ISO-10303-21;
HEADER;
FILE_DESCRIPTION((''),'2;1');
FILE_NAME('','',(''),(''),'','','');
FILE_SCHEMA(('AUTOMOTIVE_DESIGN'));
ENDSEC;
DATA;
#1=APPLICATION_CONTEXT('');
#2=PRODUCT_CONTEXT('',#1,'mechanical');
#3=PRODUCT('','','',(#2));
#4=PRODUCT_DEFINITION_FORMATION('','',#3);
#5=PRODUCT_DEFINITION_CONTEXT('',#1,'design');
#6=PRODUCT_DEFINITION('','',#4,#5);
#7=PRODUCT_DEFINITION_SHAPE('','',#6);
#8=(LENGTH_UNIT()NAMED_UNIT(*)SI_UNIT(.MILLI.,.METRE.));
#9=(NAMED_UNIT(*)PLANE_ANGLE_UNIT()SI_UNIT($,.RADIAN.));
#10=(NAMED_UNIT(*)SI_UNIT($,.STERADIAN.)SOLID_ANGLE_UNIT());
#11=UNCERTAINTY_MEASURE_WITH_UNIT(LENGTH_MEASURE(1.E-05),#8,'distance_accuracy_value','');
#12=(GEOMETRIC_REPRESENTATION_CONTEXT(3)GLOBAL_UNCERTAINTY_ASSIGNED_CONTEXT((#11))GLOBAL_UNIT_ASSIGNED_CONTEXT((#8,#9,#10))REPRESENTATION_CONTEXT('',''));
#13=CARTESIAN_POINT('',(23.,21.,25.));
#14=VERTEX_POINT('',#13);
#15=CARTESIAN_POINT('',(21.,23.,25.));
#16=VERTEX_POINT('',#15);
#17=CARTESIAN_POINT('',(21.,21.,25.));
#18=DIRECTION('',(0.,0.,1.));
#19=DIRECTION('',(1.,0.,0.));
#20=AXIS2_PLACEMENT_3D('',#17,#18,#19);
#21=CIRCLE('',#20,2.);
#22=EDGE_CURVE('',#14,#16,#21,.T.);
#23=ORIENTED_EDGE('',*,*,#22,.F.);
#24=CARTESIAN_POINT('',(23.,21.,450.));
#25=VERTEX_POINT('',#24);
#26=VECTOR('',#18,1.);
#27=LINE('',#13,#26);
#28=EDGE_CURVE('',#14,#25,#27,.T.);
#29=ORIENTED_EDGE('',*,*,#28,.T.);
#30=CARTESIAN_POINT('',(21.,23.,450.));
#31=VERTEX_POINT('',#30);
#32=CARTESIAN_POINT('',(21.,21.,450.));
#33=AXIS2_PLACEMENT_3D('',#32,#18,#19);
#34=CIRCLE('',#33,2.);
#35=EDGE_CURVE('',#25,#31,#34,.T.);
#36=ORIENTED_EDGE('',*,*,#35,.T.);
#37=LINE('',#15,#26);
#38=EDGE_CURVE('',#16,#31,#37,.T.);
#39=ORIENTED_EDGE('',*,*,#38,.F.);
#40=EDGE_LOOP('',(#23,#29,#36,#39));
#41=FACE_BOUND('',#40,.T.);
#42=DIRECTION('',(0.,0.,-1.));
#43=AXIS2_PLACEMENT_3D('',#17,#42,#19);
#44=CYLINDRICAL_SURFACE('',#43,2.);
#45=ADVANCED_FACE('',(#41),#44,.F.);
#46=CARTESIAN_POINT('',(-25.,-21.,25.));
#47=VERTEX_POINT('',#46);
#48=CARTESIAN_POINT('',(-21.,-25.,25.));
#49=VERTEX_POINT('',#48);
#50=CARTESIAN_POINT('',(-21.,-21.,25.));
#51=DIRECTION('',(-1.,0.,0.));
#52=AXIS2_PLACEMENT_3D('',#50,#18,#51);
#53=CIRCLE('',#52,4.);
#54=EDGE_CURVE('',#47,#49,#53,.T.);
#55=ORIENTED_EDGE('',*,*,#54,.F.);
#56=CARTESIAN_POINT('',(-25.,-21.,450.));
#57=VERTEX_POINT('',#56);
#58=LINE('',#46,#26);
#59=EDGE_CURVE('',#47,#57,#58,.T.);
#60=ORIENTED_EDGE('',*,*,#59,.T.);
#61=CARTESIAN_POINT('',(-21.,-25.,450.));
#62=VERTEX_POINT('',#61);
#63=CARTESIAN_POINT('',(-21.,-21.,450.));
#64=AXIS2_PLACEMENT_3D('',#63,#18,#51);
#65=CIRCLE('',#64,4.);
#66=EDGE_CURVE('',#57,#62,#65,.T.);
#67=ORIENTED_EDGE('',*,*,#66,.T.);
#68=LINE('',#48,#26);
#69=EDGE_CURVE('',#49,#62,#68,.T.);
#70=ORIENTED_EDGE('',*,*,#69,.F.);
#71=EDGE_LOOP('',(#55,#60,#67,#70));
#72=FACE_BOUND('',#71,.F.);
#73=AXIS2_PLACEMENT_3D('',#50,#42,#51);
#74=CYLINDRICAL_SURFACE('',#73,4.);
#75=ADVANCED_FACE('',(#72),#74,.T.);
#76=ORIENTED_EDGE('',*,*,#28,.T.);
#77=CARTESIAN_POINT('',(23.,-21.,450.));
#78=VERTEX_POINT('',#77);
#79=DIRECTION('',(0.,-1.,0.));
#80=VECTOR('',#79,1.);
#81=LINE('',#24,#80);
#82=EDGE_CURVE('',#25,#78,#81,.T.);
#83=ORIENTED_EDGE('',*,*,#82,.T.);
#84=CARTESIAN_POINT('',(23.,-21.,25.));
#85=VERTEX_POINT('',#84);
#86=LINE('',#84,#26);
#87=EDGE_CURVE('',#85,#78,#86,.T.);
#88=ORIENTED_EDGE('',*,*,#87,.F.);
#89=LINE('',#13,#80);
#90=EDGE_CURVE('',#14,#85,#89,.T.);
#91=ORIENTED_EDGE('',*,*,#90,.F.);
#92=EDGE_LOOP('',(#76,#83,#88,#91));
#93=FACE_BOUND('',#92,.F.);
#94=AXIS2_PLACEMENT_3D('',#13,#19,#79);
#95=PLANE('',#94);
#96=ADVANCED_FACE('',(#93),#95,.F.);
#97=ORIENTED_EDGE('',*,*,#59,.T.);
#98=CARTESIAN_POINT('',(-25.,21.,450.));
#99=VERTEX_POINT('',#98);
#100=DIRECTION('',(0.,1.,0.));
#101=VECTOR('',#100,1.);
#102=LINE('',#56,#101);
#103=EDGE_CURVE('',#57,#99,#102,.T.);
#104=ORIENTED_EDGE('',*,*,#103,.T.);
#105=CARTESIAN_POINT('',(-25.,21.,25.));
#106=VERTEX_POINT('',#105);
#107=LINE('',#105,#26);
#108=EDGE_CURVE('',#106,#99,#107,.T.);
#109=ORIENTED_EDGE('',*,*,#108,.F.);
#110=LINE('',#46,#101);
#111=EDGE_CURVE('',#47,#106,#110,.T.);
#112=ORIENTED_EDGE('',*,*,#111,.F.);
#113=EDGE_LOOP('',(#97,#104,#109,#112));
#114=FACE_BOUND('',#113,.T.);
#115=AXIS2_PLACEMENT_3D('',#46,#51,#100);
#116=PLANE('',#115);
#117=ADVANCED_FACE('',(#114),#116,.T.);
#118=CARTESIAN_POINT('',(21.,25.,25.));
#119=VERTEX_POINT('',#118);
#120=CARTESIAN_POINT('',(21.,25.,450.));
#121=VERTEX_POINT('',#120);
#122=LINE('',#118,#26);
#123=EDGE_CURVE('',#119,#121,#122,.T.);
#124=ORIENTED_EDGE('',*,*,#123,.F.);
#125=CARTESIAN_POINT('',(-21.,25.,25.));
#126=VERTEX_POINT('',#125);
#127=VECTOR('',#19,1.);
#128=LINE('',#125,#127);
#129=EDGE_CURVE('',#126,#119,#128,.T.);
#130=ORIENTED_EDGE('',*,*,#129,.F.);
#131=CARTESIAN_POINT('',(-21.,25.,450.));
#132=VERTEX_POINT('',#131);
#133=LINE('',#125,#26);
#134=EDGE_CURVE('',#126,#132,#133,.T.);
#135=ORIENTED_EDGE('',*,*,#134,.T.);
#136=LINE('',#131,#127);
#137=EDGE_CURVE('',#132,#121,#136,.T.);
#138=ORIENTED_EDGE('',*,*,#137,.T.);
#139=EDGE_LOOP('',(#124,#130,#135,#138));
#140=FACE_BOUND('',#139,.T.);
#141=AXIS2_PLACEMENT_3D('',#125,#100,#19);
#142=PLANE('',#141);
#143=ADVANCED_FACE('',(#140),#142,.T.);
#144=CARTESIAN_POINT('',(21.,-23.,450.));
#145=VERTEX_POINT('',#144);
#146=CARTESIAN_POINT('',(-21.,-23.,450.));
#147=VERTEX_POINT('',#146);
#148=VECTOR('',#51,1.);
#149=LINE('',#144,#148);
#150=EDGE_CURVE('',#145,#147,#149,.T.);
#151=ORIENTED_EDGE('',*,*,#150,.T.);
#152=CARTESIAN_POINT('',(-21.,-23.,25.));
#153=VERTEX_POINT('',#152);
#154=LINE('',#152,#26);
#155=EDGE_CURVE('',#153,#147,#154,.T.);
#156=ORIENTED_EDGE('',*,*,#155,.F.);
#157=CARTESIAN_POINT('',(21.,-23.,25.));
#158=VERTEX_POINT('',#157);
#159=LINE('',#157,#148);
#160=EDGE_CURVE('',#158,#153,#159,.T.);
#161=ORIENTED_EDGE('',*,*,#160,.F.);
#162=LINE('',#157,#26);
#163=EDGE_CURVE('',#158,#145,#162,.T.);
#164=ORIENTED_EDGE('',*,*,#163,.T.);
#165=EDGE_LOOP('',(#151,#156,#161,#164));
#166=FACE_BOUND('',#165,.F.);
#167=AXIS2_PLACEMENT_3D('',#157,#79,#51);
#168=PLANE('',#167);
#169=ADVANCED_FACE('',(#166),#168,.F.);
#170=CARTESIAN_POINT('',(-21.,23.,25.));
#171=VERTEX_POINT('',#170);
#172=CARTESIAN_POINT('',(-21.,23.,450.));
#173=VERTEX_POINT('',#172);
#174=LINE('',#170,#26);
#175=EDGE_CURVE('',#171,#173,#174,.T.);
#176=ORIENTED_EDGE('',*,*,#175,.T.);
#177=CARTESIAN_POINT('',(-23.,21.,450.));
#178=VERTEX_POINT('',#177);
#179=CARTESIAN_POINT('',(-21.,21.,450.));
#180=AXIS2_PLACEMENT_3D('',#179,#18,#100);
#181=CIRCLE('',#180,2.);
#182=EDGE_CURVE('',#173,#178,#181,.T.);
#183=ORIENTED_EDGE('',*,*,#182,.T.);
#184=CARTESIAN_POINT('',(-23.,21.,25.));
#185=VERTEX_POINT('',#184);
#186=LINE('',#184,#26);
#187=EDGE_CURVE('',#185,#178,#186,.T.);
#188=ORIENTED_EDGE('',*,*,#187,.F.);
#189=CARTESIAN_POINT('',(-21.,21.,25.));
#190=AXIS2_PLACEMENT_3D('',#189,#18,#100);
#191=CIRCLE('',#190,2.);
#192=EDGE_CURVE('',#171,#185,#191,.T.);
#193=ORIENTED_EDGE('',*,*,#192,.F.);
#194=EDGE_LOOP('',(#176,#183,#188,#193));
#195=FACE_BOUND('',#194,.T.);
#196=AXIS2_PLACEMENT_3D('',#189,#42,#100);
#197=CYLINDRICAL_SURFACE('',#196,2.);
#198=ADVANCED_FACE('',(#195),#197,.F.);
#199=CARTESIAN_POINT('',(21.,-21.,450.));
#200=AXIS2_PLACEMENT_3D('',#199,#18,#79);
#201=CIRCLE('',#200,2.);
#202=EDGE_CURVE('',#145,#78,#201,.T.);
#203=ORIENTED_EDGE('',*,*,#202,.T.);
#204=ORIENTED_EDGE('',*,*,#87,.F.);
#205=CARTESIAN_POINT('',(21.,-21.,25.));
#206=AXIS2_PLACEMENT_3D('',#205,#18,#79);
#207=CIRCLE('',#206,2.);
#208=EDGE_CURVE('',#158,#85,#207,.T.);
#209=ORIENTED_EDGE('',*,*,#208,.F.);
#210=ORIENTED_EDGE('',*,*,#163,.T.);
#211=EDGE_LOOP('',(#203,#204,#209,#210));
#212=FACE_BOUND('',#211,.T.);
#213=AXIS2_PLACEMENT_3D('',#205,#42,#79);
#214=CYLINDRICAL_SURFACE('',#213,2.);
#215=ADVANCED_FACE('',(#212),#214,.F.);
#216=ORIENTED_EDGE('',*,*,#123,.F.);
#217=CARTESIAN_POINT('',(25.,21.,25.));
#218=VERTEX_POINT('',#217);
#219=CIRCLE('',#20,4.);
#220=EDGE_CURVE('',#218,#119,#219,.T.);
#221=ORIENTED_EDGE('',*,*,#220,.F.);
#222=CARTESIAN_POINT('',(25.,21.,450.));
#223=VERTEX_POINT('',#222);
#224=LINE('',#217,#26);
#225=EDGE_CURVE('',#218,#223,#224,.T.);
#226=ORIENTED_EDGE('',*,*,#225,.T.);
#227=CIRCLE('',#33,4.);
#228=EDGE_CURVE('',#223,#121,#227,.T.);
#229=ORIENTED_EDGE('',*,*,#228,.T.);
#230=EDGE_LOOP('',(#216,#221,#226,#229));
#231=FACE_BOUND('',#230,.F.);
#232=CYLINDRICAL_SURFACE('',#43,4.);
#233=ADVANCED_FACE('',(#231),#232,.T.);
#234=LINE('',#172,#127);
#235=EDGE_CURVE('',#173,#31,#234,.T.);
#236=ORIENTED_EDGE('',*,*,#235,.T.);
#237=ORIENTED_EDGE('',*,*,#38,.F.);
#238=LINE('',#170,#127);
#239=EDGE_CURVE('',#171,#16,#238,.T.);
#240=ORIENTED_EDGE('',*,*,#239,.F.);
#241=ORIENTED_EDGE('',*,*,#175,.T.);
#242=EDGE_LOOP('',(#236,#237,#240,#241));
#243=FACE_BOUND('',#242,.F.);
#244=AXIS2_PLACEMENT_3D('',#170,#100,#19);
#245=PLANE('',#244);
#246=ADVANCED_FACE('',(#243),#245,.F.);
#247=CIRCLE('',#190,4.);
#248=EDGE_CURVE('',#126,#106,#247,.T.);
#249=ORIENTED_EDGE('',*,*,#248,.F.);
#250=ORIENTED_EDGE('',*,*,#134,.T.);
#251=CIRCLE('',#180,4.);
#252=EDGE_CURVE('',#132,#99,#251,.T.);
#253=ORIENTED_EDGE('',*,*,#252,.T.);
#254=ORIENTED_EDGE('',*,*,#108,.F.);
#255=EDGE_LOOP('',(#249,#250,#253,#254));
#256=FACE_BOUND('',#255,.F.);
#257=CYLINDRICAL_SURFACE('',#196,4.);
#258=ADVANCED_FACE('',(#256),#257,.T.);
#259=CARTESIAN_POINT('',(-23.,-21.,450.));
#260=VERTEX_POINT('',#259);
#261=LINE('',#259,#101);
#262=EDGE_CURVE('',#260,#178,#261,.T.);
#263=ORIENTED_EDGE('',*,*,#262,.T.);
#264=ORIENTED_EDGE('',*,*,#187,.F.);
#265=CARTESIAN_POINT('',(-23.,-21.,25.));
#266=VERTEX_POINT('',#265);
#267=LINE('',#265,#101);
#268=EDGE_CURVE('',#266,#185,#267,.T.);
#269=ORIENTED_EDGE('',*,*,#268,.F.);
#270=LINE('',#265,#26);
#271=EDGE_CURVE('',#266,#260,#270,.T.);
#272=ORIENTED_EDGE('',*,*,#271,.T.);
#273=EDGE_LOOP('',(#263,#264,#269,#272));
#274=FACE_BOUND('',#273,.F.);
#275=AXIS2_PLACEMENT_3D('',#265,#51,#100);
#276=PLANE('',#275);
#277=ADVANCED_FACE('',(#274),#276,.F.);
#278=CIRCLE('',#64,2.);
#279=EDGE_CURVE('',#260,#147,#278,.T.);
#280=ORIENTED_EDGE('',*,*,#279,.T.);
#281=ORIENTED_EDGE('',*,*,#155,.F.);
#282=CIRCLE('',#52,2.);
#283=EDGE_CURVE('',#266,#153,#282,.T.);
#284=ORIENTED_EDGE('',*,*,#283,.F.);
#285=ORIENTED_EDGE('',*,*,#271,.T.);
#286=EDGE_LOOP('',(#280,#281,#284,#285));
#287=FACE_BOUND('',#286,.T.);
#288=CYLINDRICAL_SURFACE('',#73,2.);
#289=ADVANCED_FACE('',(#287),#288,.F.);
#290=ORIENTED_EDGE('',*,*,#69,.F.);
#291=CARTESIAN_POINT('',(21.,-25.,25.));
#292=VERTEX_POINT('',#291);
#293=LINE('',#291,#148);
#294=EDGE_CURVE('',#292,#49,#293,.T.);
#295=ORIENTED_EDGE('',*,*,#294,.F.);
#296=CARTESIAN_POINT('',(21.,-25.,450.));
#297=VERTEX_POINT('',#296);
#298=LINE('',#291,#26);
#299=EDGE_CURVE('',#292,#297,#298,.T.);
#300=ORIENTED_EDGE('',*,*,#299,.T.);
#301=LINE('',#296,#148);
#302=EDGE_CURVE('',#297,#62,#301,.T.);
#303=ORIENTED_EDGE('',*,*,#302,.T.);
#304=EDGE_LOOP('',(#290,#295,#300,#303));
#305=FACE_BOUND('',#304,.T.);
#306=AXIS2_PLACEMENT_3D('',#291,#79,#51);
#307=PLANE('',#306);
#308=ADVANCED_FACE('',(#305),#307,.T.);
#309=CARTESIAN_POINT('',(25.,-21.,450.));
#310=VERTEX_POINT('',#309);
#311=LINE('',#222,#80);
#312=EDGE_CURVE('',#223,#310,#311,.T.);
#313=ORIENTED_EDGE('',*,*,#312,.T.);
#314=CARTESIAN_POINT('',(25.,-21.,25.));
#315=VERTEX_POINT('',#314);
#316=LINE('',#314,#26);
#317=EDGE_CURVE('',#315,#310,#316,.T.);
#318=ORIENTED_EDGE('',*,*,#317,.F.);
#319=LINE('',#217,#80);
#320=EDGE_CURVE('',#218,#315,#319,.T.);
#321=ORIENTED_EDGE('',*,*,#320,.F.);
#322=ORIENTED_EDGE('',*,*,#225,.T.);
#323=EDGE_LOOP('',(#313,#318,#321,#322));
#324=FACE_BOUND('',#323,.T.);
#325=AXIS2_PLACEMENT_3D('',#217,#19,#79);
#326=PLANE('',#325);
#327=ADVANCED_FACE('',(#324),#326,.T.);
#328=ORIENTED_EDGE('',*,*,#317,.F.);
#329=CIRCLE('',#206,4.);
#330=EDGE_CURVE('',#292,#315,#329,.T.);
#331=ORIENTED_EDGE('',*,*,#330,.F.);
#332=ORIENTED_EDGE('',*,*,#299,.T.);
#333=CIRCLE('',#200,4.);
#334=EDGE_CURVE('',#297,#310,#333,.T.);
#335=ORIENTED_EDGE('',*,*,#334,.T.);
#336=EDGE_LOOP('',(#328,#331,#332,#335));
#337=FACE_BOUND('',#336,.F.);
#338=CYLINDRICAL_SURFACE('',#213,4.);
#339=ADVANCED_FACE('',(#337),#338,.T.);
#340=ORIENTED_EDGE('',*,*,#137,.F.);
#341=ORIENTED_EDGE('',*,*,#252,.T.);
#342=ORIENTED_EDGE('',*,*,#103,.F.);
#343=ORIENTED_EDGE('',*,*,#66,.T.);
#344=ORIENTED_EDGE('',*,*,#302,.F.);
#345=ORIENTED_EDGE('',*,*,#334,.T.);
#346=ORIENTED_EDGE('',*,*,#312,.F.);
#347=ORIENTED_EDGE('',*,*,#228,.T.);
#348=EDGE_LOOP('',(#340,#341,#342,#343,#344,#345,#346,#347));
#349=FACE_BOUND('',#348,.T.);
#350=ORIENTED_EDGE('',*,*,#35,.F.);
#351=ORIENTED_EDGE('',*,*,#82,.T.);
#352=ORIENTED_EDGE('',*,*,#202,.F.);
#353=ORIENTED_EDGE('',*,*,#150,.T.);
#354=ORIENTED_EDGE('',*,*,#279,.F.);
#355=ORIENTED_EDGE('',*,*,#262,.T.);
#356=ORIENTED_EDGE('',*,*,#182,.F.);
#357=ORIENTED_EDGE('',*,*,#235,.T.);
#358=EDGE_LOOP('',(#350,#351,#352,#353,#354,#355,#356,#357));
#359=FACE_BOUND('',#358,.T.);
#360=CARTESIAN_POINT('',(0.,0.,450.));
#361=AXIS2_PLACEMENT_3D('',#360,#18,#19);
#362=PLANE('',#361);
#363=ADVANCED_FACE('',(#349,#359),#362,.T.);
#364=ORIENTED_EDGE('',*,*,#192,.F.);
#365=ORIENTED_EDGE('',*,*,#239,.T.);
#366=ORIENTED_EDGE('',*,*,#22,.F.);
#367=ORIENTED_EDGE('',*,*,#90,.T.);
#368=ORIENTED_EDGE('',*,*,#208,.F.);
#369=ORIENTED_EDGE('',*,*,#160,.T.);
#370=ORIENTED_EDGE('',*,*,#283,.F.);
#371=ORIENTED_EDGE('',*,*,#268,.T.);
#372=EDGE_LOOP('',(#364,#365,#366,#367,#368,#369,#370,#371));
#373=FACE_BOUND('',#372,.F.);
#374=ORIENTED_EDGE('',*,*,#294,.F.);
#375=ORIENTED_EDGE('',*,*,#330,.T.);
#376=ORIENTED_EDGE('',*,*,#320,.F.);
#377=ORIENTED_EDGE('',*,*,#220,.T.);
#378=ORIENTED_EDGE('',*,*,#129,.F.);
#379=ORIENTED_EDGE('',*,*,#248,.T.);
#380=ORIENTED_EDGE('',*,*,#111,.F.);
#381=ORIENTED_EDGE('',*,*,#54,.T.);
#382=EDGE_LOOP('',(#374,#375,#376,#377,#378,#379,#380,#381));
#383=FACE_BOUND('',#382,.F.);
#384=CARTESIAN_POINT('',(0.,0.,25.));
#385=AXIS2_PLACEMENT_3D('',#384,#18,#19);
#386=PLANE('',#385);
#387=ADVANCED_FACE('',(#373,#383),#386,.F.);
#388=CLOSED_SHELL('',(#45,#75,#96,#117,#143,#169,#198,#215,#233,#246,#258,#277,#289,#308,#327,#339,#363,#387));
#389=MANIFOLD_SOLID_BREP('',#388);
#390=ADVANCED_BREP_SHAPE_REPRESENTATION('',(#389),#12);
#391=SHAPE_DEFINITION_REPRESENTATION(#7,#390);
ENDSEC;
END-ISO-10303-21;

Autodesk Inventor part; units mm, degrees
ref_plane "Start Plane" through (0, 0, 25) normal (0, 0, 1) x (1, 0, 0)
ref_plane "End Plane" through (0, 0, 450) normal (0, 0, 1) x (1, 0, 0)
sketch "Sketch" plane through (0, 0, 0) normal (0, 0, 1) x (1, 0, 0)
  line L0 (-25, -21) -> (-25, 21)
  line L1 (-21, 25) -> (21, 25)
  line L2 (25, 21) -> (25, -21)
  line L3 (21, -25) -> (-21, -25)
  arc A0 (-25, -21) -> (-21, -25) centre (-21, -21) ccw
  arc A1 (25, 21) -> (21, 25) centre (21, 21) ccw
  arc A2 (-21, 25) -> (-25, 21) centre (-21, 21) ccw
  arc A3 (21, -25) -> (25, -21) centre (21, -21) ccw
  arc A4 (-21, 23) -> (-23, 21) centre (-21, 21) ccw
  line L4 (-21, 23) -> (21, 23)
  arc A5 (23, 21) -> (21, 23) centre (21, 21) ccw
  line L5 (23, 21) -> (23, -21)
  arc A6 (21, -23) -> (23, -21) centre (21, -21) ccw
  line L6 (21, -23) -> (-21, -23)
  arc A7 (-23, -21) -> (-21, -23) centre (-21, -21) ccw
  line L7 (-23, -21) -> (-23, 21)
  line L8 (0, 36.1598) -> (0, -36.1598) construction
  line L9 (-36.1598, 0) -> (36.1598, 0) construction
  dimension "d7" = 4
  dimension "d9" = 50
  dimension "d11" = 50
  dimension "d12" = 2
  dimension "d15" = 25
  dimension "d16" = 25
extrude "Body" add sketch "Sketch" along normal up to surface (425 mm away) from surface at 25
sketch "Sketch3" plane through (0, 0, 0) normal (0, 0, 1) x (1, 0, 0)
  line L0 (0, 0) -> (10, 0)
ref_plane "Work Plane3" through (0, 0, 0) normal (0, -1, 0) x (1, 0, 0)
sketch "Sketch4" plane through (0, 0, 0) normal (0, -1, 0) x (1, 0, 0)
  line L0 (-2, 25) -> (12, 25)
  line L1 (-2, 450) -> (12, 450)
  dimension "d18" = 425
ref_plane "Work Plane4" through (2310, 20, 25) normal (0, 0, -1) x (-1, 0, 0)
split "Split1" plane through (2310, 20, 25) removes the side toward (0, 0, -1)
equation "\"d7\" = G_IR"
equation "\"d9\" = G_W"
equation "\"d11\" = G_H"
equation "\"d12\" = G_T"
equation "\"d15\" = 0.5 * d9"
equation "\"d16\" = 0.5 * d11"
equation "\"d3\" = G_L"
equation "\"G_W\" = 50"
equation "\"G_H\" = 50"
equation "\"G_T\" = 2"
equation "\"G_IR\" = 4"
equation "\"G_L\" = d18"
equation "\"G_OFFSET_START\" = -25"
equation "\"G_OFFSET_END\" = 0"
equation "\"d13\" = -G_OFFSET_START"
properties part number "ISO 10799-2 - 50x50x2 - 425" material "Steel, Galvanized"
